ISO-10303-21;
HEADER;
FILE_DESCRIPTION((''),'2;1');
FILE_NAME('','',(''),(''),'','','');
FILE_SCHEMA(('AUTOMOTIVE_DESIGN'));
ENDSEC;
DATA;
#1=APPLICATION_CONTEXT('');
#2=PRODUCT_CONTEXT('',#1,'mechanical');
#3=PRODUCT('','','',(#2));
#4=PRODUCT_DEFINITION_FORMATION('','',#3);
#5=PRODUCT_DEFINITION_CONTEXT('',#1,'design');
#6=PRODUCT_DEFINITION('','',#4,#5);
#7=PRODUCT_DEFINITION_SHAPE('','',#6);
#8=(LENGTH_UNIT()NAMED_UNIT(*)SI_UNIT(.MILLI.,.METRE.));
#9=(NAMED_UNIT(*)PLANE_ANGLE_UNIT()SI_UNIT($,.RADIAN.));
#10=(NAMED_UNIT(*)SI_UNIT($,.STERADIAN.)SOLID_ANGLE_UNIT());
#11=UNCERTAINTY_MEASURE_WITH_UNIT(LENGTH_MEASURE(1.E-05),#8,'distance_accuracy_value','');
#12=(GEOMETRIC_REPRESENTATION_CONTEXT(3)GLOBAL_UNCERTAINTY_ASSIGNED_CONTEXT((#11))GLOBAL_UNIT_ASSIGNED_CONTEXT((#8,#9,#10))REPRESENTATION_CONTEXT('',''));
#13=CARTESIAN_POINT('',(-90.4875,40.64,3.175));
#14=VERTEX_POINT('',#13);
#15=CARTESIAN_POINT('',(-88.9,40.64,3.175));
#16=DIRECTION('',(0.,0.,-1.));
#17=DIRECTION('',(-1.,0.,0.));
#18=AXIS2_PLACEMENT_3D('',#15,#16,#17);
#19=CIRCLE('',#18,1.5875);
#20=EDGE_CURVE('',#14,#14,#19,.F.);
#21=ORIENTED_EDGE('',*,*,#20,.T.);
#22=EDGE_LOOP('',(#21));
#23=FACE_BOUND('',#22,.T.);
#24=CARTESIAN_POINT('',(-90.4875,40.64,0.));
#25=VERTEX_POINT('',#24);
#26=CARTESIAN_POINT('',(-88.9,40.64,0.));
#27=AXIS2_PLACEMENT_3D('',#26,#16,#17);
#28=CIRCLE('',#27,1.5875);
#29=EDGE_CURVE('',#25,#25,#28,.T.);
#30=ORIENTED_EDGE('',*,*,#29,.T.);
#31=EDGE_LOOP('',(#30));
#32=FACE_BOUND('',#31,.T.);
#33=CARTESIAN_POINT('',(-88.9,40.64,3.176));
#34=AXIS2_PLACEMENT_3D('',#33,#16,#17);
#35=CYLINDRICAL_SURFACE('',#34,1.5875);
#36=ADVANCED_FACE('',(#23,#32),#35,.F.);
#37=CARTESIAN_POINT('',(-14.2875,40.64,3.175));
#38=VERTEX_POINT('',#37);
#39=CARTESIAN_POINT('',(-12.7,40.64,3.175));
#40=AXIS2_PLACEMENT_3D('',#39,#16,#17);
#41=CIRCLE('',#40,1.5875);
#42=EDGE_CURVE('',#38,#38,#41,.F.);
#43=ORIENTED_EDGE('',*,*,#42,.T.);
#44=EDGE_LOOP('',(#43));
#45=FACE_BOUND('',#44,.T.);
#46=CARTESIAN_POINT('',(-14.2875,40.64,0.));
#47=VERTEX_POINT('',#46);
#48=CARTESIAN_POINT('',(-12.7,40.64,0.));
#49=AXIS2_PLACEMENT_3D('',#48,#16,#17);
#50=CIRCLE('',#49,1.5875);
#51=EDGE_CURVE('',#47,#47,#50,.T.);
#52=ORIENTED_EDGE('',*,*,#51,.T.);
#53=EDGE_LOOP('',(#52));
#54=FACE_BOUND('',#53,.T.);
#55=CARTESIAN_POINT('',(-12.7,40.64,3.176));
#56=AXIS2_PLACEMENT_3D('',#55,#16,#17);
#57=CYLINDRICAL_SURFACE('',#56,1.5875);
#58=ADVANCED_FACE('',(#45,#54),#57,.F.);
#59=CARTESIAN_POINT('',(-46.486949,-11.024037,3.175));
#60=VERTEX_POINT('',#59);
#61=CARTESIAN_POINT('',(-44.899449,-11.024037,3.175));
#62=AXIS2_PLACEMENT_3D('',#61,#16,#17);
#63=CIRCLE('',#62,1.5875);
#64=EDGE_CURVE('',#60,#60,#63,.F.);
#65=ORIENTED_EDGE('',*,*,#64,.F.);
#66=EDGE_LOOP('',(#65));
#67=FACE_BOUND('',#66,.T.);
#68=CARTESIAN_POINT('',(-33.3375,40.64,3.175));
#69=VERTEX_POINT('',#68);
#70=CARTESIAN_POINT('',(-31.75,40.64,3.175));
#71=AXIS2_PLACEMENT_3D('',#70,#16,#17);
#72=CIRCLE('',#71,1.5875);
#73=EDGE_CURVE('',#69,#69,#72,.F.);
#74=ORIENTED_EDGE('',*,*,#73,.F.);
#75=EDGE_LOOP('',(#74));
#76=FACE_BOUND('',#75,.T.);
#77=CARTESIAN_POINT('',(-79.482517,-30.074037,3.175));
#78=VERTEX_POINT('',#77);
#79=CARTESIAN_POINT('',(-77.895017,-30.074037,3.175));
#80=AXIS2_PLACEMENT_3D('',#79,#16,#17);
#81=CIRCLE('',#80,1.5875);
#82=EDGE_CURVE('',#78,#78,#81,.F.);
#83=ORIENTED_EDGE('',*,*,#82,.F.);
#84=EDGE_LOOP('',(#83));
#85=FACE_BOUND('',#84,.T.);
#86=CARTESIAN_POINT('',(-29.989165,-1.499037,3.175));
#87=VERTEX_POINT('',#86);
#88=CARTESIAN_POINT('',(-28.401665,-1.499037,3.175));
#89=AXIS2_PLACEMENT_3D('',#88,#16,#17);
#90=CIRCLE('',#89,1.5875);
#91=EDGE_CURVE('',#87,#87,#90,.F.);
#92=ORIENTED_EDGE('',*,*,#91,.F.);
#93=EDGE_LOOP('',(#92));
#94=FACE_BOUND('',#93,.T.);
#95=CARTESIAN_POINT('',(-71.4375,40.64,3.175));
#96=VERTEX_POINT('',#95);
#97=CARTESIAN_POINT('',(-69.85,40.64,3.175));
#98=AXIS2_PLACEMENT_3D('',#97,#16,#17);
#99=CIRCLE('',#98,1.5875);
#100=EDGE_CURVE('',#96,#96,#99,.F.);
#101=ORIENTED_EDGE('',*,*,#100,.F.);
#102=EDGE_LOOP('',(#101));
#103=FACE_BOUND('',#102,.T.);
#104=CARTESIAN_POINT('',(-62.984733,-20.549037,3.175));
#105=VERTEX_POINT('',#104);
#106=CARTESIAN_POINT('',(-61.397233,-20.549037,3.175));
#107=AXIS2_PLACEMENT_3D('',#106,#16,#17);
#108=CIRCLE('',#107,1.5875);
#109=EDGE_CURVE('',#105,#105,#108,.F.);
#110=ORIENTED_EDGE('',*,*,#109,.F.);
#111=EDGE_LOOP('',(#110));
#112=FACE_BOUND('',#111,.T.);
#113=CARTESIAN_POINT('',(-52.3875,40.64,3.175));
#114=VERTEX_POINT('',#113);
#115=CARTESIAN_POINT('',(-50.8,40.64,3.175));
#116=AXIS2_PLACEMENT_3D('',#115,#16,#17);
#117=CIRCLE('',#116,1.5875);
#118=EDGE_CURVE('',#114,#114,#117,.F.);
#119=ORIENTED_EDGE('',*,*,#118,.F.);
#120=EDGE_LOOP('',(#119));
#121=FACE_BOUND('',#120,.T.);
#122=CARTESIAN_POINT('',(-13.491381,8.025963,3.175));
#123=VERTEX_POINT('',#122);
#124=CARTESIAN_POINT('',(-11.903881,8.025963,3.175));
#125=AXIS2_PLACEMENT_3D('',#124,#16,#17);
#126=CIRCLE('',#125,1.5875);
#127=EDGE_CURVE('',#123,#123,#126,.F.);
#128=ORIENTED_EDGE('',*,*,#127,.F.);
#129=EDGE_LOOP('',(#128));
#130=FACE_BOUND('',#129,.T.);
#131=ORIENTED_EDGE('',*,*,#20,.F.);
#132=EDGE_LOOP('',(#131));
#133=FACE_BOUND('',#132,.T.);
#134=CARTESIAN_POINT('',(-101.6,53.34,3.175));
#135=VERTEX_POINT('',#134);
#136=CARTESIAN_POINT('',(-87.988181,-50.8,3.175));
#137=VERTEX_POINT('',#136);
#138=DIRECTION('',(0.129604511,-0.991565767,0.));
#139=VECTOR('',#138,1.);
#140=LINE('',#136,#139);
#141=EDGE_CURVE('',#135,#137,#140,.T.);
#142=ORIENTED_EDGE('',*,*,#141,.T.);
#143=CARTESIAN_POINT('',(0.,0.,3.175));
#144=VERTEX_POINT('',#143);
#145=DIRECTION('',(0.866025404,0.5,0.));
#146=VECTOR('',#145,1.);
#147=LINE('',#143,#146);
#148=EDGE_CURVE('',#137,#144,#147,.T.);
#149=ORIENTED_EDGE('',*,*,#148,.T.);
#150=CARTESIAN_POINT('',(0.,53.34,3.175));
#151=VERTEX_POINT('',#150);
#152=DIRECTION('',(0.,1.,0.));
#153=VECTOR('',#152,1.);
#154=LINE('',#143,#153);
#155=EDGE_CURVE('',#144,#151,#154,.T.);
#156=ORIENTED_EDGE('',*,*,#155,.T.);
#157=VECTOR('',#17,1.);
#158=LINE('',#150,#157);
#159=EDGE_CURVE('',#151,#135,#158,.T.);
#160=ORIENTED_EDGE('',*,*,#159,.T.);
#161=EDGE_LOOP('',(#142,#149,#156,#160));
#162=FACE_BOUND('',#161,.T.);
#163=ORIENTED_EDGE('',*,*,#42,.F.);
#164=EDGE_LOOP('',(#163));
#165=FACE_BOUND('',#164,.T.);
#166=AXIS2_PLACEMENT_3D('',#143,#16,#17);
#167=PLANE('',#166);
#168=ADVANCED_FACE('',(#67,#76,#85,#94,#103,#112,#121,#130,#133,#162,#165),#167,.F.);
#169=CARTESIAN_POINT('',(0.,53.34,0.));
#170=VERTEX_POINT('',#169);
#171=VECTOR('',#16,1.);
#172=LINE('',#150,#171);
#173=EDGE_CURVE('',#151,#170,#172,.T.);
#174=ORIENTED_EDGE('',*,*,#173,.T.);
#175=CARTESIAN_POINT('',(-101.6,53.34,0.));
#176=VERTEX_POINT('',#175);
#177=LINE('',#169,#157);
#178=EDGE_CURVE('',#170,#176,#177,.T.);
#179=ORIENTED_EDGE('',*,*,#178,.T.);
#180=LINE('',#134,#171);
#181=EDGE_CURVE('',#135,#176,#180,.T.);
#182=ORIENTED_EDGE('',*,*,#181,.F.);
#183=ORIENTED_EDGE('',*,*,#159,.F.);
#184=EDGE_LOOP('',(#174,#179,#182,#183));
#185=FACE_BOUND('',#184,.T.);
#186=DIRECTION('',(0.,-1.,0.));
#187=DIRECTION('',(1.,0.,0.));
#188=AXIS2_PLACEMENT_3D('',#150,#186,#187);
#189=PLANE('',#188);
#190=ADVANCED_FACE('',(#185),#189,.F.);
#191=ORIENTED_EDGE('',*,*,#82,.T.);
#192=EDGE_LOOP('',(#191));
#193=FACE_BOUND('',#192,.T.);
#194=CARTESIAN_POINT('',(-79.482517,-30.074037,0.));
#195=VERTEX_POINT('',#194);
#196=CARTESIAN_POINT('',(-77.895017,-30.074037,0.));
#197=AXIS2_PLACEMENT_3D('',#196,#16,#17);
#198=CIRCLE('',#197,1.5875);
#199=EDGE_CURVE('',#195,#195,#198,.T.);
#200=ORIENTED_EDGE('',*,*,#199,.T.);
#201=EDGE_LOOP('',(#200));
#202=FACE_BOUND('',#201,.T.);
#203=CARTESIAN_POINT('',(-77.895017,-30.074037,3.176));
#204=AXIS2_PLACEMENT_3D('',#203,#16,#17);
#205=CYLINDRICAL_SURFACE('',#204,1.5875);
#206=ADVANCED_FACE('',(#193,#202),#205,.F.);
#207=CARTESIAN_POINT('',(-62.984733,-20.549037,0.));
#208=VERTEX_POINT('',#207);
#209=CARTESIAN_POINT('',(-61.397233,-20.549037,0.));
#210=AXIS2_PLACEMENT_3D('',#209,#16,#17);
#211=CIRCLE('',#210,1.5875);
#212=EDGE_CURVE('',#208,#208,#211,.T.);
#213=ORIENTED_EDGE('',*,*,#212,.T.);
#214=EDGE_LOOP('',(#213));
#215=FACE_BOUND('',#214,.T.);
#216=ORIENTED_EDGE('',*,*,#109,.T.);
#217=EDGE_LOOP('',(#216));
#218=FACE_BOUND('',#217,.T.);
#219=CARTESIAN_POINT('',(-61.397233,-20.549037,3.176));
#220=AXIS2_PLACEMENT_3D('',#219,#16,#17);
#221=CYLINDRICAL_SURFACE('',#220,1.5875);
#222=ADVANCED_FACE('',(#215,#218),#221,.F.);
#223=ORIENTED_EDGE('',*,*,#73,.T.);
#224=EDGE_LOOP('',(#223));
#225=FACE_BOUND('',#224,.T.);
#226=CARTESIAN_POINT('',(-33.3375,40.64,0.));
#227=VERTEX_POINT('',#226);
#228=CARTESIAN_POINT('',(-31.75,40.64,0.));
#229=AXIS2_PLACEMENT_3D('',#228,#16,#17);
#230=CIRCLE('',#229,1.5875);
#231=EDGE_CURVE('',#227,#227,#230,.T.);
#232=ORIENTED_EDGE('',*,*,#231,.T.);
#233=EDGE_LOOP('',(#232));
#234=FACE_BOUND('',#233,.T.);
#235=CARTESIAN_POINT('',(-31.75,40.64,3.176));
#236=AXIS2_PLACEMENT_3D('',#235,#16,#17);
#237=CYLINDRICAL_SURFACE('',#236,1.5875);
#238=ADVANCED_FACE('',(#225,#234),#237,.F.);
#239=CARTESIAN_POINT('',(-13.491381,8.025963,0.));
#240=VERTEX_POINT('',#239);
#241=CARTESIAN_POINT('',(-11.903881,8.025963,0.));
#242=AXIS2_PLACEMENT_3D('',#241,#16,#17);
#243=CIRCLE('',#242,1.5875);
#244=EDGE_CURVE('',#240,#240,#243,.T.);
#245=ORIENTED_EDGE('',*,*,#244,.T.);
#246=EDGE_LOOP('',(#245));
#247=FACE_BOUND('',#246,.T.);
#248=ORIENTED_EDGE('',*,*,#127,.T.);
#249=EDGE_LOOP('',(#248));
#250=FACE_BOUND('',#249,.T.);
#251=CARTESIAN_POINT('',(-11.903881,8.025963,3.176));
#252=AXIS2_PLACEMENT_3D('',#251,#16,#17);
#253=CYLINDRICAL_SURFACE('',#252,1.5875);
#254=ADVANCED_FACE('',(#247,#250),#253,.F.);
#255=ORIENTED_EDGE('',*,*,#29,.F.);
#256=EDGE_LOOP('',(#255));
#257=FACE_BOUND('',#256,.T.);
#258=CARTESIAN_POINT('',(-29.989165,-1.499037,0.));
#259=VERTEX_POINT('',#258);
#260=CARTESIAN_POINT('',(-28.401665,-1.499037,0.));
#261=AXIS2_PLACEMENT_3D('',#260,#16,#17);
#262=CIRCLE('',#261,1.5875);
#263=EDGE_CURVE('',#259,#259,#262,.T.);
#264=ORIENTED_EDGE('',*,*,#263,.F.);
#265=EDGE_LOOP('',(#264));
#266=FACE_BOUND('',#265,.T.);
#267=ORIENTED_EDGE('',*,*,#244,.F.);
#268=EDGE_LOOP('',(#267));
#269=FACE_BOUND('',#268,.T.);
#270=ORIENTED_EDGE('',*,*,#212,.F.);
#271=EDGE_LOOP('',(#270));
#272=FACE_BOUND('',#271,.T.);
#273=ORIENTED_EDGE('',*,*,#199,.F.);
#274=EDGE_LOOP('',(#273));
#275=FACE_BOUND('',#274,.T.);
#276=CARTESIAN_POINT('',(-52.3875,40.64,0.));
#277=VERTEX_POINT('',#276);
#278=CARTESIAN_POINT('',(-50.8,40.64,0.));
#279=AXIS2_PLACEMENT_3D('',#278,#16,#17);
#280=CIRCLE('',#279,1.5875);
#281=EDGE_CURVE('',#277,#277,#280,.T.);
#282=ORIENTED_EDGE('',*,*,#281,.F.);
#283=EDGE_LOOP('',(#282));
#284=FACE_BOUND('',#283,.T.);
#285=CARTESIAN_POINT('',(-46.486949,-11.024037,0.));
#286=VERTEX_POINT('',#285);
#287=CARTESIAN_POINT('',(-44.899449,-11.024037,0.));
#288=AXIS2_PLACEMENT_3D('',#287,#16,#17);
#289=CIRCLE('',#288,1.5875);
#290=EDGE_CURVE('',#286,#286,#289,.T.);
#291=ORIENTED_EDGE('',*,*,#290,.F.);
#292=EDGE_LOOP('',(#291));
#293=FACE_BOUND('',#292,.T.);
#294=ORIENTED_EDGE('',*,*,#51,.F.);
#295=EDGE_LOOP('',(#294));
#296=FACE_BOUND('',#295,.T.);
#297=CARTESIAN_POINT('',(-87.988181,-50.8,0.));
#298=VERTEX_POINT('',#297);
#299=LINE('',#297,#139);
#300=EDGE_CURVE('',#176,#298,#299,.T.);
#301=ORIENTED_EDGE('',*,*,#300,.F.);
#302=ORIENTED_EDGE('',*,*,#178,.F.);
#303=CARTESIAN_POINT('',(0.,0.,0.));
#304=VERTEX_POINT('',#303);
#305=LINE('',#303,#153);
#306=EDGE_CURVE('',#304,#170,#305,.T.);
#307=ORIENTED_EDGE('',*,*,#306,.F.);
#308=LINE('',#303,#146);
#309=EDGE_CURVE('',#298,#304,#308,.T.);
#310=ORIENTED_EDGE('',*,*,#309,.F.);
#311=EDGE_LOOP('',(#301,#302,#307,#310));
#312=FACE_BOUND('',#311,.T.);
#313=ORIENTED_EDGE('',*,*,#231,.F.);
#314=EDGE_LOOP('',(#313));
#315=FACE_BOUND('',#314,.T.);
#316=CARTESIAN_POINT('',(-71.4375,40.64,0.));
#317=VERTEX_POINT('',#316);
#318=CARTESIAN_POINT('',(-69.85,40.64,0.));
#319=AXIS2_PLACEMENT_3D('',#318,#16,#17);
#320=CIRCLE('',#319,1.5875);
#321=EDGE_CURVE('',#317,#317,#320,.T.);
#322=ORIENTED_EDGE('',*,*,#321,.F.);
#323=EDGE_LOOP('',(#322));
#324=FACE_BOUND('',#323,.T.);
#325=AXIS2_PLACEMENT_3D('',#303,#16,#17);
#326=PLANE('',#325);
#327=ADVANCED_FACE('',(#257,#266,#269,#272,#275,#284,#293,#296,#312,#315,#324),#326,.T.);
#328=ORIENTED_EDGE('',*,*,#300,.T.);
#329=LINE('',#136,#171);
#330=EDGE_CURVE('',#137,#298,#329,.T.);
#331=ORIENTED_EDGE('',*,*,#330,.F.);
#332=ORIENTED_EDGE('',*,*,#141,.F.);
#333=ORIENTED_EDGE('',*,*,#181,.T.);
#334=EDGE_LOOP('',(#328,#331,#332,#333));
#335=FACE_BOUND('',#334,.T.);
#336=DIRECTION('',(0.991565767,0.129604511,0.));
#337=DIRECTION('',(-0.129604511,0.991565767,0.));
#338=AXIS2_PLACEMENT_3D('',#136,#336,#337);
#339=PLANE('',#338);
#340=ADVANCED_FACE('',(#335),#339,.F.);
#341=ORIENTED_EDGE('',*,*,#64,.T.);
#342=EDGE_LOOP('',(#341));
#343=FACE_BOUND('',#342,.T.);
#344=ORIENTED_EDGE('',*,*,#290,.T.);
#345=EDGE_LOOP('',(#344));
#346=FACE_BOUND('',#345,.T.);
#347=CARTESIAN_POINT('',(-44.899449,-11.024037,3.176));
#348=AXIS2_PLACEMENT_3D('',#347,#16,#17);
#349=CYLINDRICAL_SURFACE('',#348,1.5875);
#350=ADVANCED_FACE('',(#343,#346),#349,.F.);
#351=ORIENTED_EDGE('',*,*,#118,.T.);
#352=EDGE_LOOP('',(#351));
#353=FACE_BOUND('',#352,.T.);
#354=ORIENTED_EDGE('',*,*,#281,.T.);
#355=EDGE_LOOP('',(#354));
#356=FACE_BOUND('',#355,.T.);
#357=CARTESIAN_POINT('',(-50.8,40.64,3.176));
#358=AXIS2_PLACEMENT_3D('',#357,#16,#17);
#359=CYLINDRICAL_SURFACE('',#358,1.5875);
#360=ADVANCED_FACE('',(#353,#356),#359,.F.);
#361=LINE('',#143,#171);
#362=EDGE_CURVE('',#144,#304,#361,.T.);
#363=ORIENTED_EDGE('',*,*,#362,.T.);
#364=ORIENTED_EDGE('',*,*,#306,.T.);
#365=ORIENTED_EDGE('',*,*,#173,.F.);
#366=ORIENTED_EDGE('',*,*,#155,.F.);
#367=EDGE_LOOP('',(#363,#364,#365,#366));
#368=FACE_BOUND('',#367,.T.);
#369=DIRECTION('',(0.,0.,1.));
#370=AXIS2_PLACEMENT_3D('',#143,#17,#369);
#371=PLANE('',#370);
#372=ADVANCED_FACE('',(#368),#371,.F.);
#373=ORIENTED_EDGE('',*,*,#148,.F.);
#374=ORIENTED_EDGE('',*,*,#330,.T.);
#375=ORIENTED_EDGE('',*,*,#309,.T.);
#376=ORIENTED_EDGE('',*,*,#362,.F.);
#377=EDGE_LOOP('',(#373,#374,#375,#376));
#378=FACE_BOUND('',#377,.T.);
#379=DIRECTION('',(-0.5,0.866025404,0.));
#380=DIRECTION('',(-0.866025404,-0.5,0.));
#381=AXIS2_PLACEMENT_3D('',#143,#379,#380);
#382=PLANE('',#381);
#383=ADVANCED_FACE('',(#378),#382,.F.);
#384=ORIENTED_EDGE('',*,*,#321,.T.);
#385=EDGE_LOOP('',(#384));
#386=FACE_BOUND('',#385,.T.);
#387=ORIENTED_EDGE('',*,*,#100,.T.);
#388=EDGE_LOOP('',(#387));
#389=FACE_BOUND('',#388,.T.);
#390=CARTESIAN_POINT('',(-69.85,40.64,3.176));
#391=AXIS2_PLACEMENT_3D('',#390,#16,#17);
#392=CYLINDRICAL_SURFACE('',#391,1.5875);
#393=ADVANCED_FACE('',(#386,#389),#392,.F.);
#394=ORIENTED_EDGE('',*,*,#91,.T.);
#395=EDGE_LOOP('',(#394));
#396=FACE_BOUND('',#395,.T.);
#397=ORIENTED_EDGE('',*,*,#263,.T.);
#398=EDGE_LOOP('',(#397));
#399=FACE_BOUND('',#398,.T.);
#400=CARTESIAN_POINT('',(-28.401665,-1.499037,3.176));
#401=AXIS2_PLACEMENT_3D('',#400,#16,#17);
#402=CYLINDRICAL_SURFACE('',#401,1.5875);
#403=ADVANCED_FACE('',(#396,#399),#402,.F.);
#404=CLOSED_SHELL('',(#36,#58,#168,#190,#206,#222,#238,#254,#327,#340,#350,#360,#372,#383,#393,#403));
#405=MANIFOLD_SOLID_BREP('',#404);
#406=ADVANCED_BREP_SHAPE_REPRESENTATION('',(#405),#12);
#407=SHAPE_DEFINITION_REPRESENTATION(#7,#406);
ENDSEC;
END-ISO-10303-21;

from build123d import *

# Parameters (mm, degrees)
BOSS_EXTRUDE1_DEPTH = 3.175
CUT_EXTRUDE1_REACH  = 116.795
SKETCH2_R           = 1.5875


with BuildPart() as part:
    # Sketch1 → Boss-Extrude1 (new body)
    with BuildSketch(Plane.XY):
        Polygon((0, 0), (0, 53.34), (-101.6, 53.34), (-87.988181024, -50.8), align=None)
    extrude(amount=BOSS_EXTRUDE1_DEPTH)

    # Sketch2 → Cut-Extrude1 (cut, up to next)
    with BuildSketch(Plane(origin=(0, 0, 0), x_dir=(-1, 0, 0), z_dir=(0, 0, -1)), mode=Mode.PRIVATE) as cut_extrude1_sk1:
        with Locations((12.7, 40.64)):
            Circle(SKETCH2_R)
    cut_extrude1_tool1 = extrude(cut_extrude1_sk1.sketch, amount=-CUT_EXTRUDE1_REACH, mode=Mode.PRIVATE) & part.part
    # Sketch2 → Cut-Extrude1 (cut, up to next)
    with BuildSketch(Plane(origin=(0, 0, 0), x_dir=(-1, 0, 0), z_dir=(0, 0, -1)), mode=Mode.PRIVATE) as cut_extrude1_sk2:
        with Locations((31.75, 40.64)):
            Circle(SKETCH2_R)
    cut_extrude1_tool2 = extrude(cut_extrude1_sk2.sketch, amount=-CUT_EXTRUDE1_REACH, mode=Mode.PRIVATE) & part.part
    # Sketch2 → Cut-Extrude1 (cut, up to next)
    with BuildSketch(Plane(origin=(0, 0, 0), x_dir=(-1, 0, 0), z_dir=(0, 0, -1)), mode=Mode.PRIVATE) as cut_extrude1_sk3:
        with Locations((50.8, 40.64)):
            Circle(SKETCH2_R)
    cut_extrude1_tool3 = extrude(cut_extrude1_sk3.sketch, amount=-CUT_EXTRUDE1_REACH, mode=Mode.PRIVATE) & part.part
    # Sketch2 → Cut-Extrude1 (cut, up to next)
    with BuildSketch(Plane(origin=(0, 0, 0), x_dir=(-1, 0, 0), z_dir=(0, 0, -1)), mode=Mode.PRIVATE) as cut_extrude1_sk4:
        with Locations((69.85, 40.64)):
            Circle(SKETCH2_R)
    cut_extrude1_tool4 = extrude(cut_extrude1_sk4.sketch, amount=-CUT_EXTRUDE1_REACH, mode=Mode.PRIVATE) & part.part
    # Sketch2 → Cut-Extrude1 (cut, up to next)
    with BuildSketch(Plane(origin=(0, 0, 0), x_dir=(-1, 0, 0), z_dir=(0, 0, -1)), mode=Mode.PRIVATE) as cut_extrude1_sk5:
        with Locations((88.9, 40.64)):
            Circle(SKETCH2_R)
    cut_extrude1_tool5 = extrude(cut_extrude1_sk5.sketch, amount=-CUT_EXTRUDE1_REACH, mode=Mode.PRIVATE) & part.part
    # Sketch2 → Cut-Extrude1 (cut, up to next)
    with BuildSketch(Plane(origin=(0, 0, 0), x_dir=(-1, 0, 0), z_dir=(0, 0, -1)), mode=Mode.PRIVATE) as cut_extrude1_sk6:
        with Locations((11.903880744, 8.025962948)):
            Circle(SKETCH2_R)
    cut_extrude1_tool6 = extrude(cut_extrude1_sk6.sketch, amount=-CUT_EXTRUDE1_REACH, mode=Mode.PRIVATE) & part.part
    # Sketch2 → Cut-Extrude1 (cut, up to next)
    with BuildSketch(Plane(origin=(0, 0, 0), x_dir=(-1, 0, 0), z_dir=(0, 0, -1)), mode=Mode.PRIVATE) as cut_extrude1_sk7:
        with Locations((28.401664686, -1.499037052)):
            Circle(SKETCH2_R)
    cut_extrude1_tool7 = extrude(cut_extrude1_sk7.sketch, amount=-CUT_EXTRUDE1_REACH, mode=Mode.PRIVATE) & part.part
    # Sketch2 → Cut-Extrude1 (cut, up to next)
    with BuildSketch(Plane(origin=(0, 0, 0), x_dir=(-1, 0, 0), z_dir=(0, 0, -1)), mode=Mode.PRIVATE) as cut_extrude1_sk8:
        with Locations((44.899448628, -11.024037052)):
            Circle(SKETCH2_R)
    cut_extrude1_tool8 = extrude(cut_extrude1_sk8.sketch, amount=-CUT_EXTRUDE1_REACH, mode=Mode.PRIVATE) & part.part
    # Sketch2 → Cut-Extrude1 (cut, up to next)
    with BuildSketch(Plane(origin=(0, 0, 0), x_dir=(-1, 0, 0), z_dir=(0, 0, -1)), mode=Mode.PRIVATE) as cut_extrude1_sk9:
        with Locations((61.39723257, -20.549037052)):
            Circle(SKETCH2_R)
    cut_extrude1_tool9 = extrude(cut_extrude1_sk9.sketch, amount=-CUT_EXTRUDE1_REACH, mode=Mode.PRIVATE) & part.part
    # Sketch2 → Cut-Extrude1 (cut, up to next)
    with BuildSketch(Plane(origin=(0, 0, 0), x_dir=(-1, 0, 0), z_dir=(0, 0, -1)), mode=Mode.PRIVATE) as cut_extrude1_sk10:
        with Locations((77.895016512, -30.074037052)):
            Circle(SKETCH2_R)
    cut_extrude1_tool10 = extrude(cut_extrude1_sk10.sketch, amount=-CUT_EXTRUDE1_REACH, mode=Mode.PRIVATE) & part.part
    add(cut_extrude1_tool1.solids().sort_by_distance((-12.7, 40.64, 0))[0], mode=Mode.SUBTRACT)
    add(cut_extrude1_tool2.solids().sort_by_distance((-31.75, 40.64, 0))[0], mode=Mode.SUBTRACT)
    add(cut_extrude1_tool3.solids().sort_by_distance((-50.8, 40.64, 0))[0], mode=Mode.SUBTRACT)
    add(cut_extrude1_tool4.solids().sort_by_distance((-69.85, 40.64, 0))[0], mode=Mode.SUBTRACT)
    add(cut_extrude1_tool5.solids().sort_by_distance((-88.9, 40.64, 0))[0], mode=Mode.SUBTRACT)
    add(cut_extrude1_tool6.solids().sort_by_distance((-11.903881, 8.025963, 0))[0], mode=Mode.SUBTRACT)
    add(cut_extrude1_tool7.solids().sort_by_distance((-28.401665, -1.499037, 0))[0], mode=Mode.SUBTRACT)
    add(cut_extrude1_tool8.solids().sort_by_distance((-44.899449, -11.024037, 0))[0], mode=Mode.SUBTRACT)
    add(cut_extrude1_tool9.solids().sort_by_distance((-61.397233, -20.549037, 0))[0], mode=Mode.SUBTRACT)
    add(cut_extrude1_tool10.solids().sort_by_distance((-77.895017, -30.074037, 0))[0], mode=Mode.SUBTRACT)


solid = part.part
